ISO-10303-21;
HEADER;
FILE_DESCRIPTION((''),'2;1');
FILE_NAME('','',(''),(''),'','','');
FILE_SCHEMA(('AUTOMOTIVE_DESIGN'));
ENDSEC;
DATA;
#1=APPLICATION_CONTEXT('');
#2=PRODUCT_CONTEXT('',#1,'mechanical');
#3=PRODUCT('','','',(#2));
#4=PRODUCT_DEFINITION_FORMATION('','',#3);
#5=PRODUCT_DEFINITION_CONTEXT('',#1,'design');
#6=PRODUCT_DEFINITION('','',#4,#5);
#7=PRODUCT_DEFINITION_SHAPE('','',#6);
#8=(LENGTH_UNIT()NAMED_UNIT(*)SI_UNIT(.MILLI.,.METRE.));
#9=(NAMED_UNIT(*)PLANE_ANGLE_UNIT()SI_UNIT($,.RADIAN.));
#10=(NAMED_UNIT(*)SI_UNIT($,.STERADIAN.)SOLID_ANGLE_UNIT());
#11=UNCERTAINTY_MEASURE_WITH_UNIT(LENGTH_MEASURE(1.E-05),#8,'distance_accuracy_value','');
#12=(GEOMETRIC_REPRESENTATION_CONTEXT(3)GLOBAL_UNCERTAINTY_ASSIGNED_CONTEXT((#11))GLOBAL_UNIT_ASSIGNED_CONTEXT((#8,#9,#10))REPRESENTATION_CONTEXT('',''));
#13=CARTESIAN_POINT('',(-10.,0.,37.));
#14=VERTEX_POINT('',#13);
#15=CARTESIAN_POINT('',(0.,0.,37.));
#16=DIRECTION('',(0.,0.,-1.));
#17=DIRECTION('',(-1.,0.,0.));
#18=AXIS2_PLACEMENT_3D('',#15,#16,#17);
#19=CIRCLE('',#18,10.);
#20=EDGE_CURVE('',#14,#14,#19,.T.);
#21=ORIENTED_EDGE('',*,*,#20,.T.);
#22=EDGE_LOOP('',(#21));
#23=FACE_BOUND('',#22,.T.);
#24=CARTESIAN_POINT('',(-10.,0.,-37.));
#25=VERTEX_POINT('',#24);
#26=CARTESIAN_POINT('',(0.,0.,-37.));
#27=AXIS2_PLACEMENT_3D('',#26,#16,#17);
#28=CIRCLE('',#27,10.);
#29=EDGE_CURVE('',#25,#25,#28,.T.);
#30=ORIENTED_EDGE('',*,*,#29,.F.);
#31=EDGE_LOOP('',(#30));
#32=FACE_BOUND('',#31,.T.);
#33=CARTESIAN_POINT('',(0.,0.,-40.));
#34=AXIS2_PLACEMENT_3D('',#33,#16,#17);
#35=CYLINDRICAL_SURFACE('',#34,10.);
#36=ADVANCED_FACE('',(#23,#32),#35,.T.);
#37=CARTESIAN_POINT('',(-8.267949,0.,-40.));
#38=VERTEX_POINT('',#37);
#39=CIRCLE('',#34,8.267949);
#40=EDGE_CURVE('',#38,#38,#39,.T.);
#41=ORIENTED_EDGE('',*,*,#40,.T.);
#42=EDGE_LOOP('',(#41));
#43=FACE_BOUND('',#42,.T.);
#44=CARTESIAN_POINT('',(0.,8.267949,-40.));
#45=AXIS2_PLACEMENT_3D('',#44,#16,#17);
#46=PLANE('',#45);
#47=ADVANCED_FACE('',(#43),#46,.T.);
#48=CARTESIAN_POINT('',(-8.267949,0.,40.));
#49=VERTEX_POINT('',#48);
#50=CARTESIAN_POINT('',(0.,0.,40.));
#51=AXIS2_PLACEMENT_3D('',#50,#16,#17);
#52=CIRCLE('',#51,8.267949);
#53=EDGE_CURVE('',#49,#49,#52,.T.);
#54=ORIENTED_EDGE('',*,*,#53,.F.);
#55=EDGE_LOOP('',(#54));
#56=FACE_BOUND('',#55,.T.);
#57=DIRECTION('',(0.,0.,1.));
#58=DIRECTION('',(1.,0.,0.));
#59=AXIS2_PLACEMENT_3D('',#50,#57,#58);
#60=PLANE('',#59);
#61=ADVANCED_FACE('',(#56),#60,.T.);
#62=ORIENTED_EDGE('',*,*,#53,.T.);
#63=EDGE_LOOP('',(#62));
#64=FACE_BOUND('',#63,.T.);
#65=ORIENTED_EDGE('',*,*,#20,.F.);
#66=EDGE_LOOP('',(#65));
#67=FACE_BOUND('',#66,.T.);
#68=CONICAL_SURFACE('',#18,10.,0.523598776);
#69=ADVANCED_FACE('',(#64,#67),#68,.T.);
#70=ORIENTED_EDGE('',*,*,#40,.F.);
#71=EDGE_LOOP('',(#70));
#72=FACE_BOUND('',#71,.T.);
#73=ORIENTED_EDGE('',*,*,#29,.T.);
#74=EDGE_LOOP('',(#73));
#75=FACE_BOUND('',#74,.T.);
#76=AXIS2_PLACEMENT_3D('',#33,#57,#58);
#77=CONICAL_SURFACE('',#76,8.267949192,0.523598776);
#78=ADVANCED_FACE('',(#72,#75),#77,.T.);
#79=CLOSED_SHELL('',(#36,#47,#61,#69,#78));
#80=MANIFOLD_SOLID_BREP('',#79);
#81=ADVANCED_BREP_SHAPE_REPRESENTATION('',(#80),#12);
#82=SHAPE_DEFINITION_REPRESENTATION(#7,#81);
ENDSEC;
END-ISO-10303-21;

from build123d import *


with BuildPart() as part:
    # Skizze1 → Rotation1 (revolve)
    with BuildSketch(Plane(origin=(0, 0, 0), x_dir=(0, 0, -1), z_dir=(1, 0, 0))):
        Polygon((-37, 10), (37, 10), (40, 8.267949192), (40, 0), (-40, 0), (-40, 8.267949192), align=None)
    revolve(axis=Axis((0, 0, -40), (0, 0, 1)))


solid = part.part
